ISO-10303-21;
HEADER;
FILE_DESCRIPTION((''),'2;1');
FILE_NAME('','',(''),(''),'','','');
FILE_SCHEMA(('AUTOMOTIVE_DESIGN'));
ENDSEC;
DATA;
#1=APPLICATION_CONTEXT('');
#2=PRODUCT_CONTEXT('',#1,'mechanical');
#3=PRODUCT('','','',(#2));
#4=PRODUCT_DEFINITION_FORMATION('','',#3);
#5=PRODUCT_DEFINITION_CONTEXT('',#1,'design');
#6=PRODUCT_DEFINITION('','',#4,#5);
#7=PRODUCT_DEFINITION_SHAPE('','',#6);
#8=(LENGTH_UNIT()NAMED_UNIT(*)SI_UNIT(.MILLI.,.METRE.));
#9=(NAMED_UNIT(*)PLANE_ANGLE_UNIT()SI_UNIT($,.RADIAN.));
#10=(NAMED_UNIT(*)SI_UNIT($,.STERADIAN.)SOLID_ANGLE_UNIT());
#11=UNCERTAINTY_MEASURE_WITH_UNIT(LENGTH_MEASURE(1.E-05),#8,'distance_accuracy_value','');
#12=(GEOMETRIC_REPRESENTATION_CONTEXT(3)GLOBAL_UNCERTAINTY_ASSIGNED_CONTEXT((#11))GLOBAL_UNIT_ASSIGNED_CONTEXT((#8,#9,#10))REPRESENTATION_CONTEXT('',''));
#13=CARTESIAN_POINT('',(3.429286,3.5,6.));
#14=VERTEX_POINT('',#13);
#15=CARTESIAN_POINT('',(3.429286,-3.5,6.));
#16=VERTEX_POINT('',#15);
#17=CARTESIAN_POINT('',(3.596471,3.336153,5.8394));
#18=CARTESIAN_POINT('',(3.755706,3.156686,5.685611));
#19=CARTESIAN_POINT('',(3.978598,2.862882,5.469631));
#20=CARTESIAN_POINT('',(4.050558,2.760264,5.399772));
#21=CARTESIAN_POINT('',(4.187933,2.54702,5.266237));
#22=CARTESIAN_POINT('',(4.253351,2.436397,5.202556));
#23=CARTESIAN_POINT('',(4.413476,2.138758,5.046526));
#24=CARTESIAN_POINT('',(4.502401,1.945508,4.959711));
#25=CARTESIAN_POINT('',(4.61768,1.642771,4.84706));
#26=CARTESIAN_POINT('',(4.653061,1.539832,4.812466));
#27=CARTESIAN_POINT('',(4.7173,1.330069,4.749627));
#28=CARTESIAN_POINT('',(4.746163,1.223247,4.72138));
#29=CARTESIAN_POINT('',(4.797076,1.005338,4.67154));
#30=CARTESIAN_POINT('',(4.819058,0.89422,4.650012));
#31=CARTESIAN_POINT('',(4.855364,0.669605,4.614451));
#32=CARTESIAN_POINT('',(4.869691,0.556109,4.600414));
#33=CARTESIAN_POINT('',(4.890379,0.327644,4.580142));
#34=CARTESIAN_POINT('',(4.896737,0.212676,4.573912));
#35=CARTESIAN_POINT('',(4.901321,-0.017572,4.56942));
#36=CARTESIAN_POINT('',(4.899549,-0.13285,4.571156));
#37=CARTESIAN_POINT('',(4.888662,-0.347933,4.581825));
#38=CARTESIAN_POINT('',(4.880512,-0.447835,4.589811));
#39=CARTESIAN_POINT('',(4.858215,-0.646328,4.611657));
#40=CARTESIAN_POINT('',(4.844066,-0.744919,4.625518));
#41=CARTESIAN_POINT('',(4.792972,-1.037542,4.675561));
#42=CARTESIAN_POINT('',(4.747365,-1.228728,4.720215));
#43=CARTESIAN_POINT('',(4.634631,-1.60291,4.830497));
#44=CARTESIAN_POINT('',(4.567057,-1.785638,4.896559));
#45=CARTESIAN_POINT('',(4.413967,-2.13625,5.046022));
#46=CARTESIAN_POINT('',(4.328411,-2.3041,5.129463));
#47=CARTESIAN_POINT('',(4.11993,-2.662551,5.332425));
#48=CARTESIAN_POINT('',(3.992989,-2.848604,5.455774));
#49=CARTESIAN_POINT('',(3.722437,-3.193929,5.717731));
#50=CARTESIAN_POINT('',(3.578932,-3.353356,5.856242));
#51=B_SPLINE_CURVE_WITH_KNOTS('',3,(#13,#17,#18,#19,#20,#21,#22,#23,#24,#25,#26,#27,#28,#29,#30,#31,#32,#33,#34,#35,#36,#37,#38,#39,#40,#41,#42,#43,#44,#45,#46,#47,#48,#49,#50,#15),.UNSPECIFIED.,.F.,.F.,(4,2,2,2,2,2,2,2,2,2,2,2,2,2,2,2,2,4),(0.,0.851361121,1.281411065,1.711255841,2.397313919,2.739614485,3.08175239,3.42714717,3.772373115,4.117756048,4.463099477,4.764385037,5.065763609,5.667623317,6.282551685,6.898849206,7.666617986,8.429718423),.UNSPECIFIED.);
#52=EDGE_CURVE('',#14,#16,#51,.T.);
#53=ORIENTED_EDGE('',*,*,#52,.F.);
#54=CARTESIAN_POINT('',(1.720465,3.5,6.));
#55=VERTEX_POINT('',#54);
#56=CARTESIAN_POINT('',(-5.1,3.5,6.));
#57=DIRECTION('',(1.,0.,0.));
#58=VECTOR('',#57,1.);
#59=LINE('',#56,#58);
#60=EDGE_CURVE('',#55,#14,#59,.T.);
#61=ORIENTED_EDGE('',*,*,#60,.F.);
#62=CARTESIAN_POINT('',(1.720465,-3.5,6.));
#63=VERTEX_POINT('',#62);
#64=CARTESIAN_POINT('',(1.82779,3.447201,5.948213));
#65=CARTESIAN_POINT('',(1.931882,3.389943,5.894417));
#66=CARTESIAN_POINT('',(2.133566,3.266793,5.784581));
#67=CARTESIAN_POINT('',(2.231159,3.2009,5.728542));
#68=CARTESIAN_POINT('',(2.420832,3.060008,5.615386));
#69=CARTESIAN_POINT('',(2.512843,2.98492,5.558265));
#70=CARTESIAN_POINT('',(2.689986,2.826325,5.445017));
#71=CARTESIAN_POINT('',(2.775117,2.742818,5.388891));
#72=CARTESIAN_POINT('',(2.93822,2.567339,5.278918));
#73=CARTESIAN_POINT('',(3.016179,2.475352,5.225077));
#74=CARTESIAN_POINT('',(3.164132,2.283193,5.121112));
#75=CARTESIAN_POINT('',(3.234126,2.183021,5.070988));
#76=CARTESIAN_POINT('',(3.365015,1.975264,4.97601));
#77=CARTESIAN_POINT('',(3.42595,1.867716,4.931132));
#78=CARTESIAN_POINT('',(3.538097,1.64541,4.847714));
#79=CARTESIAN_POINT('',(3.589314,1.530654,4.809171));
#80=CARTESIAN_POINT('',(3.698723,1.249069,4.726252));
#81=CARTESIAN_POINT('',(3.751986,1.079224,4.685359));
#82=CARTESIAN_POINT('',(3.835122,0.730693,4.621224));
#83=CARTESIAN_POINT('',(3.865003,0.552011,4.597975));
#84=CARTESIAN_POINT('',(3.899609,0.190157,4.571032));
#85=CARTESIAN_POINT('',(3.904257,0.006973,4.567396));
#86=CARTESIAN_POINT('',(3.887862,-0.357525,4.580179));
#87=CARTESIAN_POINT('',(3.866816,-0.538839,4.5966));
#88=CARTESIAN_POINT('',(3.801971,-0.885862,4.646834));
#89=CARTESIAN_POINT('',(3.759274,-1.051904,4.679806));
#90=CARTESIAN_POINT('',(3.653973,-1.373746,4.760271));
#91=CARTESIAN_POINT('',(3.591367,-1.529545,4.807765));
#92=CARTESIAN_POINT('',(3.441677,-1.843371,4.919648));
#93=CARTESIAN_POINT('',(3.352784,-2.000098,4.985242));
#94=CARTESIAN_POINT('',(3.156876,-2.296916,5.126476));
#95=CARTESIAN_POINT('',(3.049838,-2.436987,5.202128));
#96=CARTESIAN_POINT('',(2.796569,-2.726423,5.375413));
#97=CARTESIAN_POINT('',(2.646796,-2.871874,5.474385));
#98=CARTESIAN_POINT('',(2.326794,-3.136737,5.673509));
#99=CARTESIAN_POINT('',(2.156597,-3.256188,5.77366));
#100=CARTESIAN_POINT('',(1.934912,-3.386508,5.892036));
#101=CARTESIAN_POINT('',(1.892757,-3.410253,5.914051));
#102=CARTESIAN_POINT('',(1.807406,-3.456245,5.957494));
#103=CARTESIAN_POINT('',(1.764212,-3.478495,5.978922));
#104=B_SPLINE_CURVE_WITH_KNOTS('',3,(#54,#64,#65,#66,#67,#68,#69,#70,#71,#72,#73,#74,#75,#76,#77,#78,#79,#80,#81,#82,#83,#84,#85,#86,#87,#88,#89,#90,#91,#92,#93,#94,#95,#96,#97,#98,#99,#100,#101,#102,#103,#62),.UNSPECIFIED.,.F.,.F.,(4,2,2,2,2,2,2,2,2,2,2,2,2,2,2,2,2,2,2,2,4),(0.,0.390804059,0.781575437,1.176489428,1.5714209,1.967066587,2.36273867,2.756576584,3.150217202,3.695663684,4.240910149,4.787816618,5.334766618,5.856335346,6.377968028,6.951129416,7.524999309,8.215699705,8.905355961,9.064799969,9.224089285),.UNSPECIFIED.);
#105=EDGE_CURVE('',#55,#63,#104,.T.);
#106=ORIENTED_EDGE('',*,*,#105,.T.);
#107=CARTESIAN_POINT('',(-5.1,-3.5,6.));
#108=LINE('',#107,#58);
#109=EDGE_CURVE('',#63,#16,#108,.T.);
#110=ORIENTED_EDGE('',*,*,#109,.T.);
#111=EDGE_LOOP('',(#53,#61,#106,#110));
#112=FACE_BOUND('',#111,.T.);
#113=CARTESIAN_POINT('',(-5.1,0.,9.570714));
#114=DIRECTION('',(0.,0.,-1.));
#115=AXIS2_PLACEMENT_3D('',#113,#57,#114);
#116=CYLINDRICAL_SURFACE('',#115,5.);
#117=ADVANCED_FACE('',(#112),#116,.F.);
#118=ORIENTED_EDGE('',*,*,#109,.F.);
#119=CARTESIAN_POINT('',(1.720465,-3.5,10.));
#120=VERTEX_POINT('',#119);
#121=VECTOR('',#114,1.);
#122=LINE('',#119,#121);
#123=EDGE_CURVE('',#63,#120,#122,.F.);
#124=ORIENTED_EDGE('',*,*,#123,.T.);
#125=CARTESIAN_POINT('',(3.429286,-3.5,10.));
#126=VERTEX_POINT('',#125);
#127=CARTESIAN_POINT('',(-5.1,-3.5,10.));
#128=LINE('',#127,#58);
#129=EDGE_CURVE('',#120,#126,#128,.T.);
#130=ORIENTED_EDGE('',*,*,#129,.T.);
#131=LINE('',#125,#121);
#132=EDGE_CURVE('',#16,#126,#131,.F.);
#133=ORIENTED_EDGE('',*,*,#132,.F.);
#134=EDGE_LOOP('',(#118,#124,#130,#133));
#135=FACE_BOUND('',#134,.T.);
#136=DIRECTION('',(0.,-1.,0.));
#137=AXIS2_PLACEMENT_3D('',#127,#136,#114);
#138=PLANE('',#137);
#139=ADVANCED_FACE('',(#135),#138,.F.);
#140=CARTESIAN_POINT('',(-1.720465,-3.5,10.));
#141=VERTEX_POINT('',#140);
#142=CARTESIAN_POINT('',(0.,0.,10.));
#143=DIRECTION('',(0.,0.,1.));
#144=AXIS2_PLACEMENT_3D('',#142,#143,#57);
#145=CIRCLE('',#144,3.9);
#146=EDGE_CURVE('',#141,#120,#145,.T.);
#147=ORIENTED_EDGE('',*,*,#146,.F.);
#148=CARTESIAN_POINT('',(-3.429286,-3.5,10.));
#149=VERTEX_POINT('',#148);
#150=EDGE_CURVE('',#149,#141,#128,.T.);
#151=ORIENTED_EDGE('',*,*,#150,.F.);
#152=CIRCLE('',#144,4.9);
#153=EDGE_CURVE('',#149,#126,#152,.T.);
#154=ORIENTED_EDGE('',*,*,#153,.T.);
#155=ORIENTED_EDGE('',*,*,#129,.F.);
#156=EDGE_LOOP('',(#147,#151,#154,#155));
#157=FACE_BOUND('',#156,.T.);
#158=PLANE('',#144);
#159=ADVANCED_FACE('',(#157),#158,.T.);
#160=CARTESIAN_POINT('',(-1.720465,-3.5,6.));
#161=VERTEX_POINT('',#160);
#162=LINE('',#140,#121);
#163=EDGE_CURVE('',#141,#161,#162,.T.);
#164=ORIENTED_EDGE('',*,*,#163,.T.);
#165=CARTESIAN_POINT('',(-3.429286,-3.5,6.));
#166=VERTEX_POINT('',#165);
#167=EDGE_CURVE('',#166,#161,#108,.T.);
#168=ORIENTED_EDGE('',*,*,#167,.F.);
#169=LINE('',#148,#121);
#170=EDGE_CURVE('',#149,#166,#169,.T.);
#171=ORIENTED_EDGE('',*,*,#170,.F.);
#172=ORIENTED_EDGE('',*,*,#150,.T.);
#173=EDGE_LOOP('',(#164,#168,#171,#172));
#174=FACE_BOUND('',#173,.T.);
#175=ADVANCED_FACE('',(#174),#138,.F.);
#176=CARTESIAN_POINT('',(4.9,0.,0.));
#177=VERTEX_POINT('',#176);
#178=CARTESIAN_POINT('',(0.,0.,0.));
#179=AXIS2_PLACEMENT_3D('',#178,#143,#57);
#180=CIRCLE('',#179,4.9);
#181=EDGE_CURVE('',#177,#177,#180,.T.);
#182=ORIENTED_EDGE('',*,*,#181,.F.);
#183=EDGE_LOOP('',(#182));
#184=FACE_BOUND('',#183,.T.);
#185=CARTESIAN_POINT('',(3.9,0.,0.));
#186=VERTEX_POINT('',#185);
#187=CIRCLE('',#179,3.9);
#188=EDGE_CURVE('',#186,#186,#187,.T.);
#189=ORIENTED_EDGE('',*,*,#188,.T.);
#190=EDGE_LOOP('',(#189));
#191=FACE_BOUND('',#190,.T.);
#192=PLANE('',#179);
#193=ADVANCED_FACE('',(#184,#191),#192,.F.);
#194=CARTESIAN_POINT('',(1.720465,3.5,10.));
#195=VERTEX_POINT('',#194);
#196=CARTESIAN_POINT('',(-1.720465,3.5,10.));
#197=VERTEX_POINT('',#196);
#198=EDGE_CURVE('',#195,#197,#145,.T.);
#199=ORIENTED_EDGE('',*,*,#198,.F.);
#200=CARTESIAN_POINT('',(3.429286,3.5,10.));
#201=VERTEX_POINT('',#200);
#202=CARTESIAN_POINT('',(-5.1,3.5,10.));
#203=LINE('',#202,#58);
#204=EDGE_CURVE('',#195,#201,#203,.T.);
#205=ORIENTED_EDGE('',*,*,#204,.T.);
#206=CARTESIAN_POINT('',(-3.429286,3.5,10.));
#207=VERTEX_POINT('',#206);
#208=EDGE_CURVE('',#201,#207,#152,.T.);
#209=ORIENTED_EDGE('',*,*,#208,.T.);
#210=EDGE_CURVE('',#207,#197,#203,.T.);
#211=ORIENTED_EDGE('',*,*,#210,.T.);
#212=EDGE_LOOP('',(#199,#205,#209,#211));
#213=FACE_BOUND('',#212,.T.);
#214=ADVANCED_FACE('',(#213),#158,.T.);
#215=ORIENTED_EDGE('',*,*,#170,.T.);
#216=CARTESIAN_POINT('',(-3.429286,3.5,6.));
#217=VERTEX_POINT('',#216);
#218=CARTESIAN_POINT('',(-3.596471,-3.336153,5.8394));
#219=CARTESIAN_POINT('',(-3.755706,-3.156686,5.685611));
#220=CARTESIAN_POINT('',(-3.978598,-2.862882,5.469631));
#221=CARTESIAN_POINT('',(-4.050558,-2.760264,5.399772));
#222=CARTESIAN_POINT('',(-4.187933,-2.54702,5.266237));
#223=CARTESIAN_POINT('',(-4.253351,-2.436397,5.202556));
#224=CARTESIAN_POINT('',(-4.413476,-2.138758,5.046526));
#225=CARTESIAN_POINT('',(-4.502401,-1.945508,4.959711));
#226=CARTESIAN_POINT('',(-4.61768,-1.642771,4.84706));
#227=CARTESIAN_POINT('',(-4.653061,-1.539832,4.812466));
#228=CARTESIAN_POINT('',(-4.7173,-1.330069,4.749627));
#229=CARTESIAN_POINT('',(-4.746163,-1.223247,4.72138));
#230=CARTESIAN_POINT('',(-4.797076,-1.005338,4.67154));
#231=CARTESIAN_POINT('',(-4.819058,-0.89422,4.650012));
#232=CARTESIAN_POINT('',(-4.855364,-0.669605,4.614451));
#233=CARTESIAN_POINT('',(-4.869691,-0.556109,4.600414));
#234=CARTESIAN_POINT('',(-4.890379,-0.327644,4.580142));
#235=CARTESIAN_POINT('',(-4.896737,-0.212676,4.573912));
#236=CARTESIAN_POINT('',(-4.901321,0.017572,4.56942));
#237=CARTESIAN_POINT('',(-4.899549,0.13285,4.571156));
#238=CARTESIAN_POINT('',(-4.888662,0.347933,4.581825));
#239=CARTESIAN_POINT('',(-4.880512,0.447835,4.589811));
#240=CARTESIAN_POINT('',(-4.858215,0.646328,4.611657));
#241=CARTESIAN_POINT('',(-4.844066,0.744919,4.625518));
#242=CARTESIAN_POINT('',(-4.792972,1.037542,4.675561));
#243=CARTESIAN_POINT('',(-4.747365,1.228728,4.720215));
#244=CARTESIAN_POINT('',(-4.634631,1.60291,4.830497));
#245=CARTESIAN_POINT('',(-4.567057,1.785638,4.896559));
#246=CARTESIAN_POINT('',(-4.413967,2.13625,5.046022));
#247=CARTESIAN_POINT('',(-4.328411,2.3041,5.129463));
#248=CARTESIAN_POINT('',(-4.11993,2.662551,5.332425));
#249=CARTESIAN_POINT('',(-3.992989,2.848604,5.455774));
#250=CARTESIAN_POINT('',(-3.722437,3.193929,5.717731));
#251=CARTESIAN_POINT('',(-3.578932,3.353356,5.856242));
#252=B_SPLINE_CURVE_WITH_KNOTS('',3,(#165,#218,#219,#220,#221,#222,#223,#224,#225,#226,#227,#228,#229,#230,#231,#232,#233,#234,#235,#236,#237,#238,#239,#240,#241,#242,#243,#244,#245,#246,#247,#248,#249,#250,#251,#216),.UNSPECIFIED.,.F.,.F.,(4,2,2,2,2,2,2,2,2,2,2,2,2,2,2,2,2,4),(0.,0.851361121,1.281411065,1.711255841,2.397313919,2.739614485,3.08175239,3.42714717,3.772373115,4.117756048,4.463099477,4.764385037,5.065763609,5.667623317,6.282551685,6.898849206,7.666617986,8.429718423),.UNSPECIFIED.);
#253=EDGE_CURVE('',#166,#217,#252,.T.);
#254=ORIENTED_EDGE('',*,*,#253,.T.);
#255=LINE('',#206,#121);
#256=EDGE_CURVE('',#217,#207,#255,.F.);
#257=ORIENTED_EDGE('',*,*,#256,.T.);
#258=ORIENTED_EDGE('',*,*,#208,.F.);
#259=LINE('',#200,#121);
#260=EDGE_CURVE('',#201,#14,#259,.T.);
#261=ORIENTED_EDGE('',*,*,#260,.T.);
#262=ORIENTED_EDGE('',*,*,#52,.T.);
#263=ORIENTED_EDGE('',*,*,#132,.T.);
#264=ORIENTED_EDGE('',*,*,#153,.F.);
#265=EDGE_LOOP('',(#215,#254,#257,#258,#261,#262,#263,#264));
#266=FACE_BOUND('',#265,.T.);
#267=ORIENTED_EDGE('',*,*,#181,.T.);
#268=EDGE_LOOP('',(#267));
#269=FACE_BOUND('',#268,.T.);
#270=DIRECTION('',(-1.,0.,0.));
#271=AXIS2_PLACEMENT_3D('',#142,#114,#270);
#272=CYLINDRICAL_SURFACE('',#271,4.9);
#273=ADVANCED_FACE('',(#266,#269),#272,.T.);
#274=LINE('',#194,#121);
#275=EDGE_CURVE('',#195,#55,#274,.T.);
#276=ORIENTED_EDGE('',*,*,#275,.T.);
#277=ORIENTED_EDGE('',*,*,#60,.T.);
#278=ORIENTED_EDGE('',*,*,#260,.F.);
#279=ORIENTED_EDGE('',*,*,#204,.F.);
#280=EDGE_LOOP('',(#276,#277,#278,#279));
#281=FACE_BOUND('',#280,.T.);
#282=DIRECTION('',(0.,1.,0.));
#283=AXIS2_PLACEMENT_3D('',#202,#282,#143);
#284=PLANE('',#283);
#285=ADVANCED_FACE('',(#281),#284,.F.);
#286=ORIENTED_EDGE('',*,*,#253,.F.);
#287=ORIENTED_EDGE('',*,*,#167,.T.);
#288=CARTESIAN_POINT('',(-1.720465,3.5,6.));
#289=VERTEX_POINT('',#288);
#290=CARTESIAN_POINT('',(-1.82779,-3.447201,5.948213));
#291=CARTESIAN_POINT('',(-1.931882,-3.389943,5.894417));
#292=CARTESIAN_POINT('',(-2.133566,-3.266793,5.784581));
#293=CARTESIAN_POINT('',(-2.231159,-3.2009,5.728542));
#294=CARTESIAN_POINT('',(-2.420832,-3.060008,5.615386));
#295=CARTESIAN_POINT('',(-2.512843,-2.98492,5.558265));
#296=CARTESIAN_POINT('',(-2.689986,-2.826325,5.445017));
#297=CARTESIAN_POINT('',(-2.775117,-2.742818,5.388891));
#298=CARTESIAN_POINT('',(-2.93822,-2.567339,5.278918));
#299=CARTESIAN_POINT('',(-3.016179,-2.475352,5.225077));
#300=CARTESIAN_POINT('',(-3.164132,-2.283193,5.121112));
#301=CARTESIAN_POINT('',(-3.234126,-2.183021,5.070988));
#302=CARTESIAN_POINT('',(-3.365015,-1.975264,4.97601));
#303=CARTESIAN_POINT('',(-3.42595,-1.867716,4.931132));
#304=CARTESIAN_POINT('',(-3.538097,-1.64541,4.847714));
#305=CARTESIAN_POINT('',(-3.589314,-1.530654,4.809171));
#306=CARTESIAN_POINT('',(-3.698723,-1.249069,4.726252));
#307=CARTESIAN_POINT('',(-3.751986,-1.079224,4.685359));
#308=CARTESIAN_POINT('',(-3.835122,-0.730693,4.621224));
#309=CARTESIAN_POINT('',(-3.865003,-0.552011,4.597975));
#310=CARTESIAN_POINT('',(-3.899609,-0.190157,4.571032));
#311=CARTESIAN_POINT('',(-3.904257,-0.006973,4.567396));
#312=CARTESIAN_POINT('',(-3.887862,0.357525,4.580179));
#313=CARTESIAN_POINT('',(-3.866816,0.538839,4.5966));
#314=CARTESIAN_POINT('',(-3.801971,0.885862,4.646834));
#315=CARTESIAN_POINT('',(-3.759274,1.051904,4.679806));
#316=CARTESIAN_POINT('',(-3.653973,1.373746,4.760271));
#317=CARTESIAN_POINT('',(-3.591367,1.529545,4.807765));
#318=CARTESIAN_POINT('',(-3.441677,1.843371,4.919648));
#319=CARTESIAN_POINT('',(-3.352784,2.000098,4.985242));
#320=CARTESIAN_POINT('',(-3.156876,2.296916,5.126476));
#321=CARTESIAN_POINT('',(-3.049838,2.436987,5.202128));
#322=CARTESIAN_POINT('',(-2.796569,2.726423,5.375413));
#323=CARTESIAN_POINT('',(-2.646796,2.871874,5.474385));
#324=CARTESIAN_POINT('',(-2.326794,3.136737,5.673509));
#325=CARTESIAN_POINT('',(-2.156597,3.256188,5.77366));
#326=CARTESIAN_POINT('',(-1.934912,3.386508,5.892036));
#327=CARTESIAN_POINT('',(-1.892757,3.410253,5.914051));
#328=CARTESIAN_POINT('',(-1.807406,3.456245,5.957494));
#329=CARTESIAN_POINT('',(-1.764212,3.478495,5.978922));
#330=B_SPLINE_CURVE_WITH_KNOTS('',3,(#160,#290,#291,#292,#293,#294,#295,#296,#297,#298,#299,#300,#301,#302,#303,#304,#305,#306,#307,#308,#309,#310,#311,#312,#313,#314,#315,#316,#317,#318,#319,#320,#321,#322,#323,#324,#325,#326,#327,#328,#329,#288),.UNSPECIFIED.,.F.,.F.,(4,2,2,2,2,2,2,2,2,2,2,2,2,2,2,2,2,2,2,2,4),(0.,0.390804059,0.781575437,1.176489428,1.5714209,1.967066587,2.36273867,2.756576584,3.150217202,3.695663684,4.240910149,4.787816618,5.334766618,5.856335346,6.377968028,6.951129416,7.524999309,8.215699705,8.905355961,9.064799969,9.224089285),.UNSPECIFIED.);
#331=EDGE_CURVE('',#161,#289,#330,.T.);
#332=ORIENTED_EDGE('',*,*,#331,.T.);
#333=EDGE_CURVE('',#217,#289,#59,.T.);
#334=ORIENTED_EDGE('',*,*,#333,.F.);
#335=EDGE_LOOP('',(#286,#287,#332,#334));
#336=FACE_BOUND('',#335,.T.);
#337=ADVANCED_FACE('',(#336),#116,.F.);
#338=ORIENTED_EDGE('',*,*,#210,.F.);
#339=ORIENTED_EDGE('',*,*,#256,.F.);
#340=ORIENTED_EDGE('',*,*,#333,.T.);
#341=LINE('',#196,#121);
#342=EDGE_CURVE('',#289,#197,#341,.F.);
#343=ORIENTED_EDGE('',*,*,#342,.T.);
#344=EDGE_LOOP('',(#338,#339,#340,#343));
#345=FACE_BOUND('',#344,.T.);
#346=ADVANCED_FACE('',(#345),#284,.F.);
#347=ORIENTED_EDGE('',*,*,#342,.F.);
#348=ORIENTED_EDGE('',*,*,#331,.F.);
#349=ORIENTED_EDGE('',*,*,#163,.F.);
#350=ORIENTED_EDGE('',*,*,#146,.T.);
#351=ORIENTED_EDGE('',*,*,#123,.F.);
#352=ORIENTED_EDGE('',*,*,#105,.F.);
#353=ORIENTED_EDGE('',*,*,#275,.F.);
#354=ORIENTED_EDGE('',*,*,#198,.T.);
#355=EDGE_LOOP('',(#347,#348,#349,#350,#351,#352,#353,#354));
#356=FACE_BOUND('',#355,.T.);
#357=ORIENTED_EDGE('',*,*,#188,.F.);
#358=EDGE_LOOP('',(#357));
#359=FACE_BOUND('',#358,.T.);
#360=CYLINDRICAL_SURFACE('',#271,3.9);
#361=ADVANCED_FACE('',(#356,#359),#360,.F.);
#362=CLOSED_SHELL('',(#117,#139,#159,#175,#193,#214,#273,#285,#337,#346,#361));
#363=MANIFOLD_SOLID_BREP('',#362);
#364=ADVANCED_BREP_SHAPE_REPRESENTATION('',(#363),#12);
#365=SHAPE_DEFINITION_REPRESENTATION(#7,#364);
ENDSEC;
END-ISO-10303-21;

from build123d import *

# Parameters (mm, degrees)
SKETCH1_R           = 4.9
SKETCH1_R_2         = 3.9
BOSS_EXTRUDE1_DEPTH = 10
CUT_EXTRUDE1_DEPTH  = 10


with BuildPart() as part:
    # Sketch1 → Boss-Extrude1 (new body)
    with BuildSketch(Plane.XY):
        Circle(SKETCH1_R)
        Circle(SKETCH1_R_2, mode=Mode.SUBTRACT)
    extrude(amount=BOSS_EXTRUDE1_DEPTH)

    # Sketch3 → Cut-Extrude1 (cut)
    with BuildSketch(Plane(origin=(4.9, 0, 0), x_dir=(0, 0, -1), z_dir=(1, 0, 0))):
        with BuildLine():
            Line((-10, 3.5), (-10, -3.5))
            Line((-10, -3.5), (-6, -3.5))
            ThreePointArc((-6, -3.5), (-4.570714214, 0), (-6, 3.5))
            Line((-6, 3.5), (-10, 3.5))
        make_face()
    extrude(amount=-CUT_EXTRUDE1_DEPTH, mode=Mode.SUBTRACT)


solid = part.part
